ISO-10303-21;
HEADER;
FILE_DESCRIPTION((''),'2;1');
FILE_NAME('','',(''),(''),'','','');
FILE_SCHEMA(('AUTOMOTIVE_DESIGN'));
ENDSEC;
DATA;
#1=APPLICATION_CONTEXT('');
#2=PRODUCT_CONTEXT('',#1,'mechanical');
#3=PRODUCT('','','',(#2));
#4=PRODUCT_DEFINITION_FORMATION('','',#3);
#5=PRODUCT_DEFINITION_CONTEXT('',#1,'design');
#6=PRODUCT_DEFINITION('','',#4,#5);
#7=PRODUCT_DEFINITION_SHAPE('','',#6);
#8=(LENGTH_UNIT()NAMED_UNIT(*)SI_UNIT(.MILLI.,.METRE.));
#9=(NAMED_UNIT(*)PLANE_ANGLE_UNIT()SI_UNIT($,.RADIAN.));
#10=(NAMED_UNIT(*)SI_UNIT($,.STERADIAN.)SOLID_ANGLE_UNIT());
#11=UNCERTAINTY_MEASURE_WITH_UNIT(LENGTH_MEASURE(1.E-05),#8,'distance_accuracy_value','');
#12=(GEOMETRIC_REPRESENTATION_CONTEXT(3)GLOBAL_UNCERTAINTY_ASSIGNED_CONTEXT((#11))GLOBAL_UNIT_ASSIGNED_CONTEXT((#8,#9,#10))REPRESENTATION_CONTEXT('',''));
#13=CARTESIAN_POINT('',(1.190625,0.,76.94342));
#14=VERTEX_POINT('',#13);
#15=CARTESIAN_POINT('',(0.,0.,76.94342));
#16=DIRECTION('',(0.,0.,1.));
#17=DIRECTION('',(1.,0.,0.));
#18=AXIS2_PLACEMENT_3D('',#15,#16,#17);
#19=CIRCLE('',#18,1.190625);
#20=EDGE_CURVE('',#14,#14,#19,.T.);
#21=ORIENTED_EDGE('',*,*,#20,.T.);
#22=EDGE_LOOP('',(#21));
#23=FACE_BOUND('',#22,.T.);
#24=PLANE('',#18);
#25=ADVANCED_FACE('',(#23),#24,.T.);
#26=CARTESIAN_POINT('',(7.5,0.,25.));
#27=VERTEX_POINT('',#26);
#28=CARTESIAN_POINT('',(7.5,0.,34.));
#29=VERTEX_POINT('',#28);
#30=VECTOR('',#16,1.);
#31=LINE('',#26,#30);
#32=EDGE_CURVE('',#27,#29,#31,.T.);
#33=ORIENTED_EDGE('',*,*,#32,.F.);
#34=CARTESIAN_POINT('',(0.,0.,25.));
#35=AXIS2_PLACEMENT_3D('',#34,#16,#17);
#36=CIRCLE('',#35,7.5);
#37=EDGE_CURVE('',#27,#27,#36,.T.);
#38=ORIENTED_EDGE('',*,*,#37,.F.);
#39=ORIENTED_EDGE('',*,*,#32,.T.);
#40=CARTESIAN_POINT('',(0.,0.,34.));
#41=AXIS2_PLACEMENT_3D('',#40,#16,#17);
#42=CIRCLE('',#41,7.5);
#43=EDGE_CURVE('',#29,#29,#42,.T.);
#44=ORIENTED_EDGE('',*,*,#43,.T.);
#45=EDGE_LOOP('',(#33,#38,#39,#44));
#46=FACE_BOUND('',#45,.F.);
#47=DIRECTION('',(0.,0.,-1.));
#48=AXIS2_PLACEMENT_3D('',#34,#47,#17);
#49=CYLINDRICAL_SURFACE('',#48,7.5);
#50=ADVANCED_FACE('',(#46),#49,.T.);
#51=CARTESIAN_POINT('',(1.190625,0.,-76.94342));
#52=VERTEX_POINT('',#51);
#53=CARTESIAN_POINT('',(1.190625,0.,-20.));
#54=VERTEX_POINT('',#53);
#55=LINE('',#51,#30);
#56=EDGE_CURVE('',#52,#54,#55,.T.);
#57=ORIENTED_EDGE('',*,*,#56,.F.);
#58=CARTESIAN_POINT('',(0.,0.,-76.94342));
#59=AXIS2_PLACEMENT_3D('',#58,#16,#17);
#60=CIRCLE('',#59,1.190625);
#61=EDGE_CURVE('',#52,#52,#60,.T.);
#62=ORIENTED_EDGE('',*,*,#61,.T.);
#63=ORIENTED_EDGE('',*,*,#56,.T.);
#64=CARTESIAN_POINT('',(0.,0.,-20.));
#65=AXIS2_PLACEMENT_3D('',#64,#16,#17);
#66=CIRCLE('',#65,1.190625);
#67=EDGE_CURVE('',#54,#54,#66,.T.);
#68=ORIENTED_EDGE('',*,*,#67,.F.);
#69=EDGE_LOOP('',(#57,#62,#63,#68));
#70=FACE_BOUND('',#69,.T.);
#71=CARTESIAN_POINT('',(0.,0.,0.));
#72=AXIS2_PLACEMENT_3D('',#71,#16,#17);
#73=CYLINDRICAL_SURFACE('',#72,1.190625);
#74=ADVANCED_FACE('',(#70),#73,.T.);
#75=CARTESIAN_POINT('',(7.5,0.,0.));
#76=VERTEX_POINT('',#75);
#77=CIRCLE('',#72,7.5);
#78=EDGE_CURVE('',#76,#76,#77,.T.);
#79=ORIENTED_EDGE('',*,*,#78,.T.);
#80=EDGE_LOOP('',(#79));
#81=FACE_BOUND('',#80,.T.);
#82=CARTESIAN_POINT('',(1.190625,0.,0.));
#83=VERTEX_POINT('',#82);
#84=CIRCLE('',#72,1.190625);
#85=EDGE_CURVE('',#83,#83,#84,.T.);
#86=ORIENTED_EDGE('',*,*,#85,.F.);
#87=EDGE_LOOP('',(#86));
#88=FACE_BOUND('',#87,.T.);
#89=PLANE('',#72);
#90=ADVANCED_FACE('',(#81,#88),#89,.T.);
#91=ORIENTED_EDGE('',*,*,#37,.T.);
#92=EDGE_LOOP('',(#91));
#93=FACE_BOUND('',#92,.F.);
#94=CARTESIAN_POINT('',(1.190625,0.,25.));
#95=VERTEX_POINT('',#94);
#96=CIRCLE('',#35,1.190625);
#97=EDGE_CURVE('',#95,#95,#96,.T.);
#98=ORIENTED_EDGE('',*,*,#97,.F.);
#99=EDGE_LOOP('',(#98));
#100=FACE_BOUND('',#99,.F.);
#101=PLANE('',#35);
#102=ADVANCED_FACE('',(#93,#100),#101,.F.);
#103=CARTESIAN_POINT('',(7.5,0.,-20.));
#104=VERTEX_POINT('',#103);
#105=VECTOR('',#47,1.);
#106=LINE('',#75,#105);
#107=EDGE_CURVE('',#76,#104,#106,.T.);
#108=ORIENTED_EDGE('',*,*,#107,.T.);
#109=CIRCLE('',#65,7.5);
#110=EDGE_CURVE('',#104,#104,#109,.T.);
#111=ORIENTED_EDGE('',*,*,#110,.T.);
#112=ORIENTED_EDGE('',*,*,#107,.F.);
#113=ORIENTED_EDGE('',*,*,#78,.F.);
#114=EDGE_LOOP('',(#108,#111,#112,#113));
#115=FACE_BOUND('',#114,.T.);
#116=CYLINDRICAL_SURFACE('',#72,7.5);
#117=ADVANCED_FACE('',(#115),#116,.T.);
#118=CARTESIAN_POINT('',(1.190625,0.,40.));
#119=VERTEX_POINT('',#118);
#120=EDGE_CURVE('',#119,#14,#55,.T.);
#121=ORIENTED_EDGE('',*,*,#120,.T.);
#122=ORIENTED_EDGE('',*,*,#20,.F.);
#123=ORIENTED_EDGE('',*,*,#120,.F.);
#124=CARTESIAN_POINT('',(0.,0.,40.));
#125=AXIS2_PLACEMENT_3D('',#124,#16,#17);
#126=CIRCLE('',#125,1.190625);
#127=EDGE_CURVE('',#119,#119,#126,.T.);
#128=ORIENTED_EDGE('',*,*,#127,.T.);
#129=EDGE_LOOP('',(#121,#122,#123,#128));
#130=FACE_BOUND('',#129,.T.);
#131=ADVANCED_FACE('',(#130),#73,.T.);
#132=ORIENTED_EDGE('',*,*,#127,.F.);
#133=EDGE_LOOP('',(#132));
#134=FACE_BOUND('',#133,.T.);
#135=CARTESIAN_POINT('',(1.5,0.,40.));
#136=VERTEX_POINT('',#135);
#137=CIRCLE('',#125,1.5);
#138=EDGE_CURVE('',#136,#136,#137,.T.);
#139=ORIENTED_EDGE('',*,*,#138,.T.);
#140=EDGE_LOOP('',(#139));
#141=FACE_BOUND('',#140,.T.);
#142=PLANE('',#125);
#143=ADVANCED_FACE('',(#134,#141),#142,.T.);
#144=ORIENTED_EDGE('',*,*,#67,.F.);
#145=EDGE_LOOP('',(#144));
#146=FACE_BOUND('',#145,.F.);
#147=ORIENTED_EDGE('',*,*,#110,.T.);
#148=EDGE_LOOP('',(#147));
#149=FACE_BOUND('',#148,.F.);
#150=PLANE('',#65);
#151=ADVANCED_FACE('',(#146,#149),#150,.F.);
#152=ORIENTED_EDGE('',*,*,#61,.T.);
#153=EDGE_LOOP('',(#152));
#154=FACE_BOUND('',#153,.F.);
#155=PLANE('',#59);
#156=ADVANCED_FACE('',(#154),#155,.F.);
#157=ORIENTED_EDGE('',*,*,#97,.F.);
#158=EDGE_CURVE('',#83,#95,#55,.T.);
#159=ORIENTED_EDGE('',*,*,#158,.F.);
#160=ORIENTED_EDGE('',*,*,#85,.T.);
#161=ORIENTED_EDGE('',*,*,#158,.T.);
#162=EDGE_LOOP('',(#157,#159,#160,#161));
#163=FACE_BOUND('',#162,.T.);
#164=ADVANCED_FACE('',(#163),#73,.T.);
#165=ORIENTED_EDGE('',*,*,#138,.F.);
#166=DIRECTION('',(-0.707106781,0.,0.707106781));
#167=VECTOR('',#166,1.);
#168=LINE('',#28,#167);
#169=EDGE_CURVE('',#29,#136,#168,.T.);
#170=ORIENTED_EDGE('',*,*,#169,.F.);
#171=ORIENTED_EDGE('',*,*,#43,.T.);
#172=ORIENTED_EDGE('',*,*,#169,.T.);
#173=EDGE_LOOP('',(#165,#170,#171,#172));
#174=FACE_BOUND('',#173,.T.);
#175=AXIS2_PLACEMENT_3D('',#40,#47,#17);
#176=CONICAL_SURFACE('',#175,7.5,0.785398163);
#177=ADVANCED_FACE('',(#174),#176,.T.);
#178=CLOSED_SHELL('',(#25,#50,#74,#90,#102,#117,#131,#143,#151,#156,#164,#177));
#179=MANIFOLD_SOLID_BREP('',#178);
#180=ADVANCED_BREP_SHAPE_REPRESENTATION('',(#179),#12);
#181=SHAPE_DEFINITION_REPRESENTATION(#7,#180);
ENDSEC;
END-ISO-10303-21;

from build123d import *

# Parameters (mm, degrees)
F0_R     = 7.5
F1_DEPTH = 20
F2_R     = 1.190625
F3_DEPTH = 76.94342
F5_R     = 7.5
F6_DEPTH = 15
F7_SIZE  = 6


with BuildPart() as f1:
    # F0 (on Top) → F1 (new body)
    with BuildSketch(Plane.XY):
        Circle(F0_R)
    extrude(amount=-F1_DEPTH)

    # F2 (on Top) → F3 (join, symmetric)
    with BuildSketch(Plane.XY):
        Circle(F2_R)
    extrude(amount=F3_DEPTH, both=True)

    # F5 (on offset) → F6 (join)
    with BuildSketch(Plane.XY.offset(25)):
        Circle(F5_R)
    extrude(amount=F6_DEPTH)

    # F7
    f7_edges = [f1.edges().sort_by_distance(p)[0] for p in [
        (-7.5, 0, 40),
    ]]
    chamfer(f7_edges, length=F7_SIZE)


solid = f1.part
